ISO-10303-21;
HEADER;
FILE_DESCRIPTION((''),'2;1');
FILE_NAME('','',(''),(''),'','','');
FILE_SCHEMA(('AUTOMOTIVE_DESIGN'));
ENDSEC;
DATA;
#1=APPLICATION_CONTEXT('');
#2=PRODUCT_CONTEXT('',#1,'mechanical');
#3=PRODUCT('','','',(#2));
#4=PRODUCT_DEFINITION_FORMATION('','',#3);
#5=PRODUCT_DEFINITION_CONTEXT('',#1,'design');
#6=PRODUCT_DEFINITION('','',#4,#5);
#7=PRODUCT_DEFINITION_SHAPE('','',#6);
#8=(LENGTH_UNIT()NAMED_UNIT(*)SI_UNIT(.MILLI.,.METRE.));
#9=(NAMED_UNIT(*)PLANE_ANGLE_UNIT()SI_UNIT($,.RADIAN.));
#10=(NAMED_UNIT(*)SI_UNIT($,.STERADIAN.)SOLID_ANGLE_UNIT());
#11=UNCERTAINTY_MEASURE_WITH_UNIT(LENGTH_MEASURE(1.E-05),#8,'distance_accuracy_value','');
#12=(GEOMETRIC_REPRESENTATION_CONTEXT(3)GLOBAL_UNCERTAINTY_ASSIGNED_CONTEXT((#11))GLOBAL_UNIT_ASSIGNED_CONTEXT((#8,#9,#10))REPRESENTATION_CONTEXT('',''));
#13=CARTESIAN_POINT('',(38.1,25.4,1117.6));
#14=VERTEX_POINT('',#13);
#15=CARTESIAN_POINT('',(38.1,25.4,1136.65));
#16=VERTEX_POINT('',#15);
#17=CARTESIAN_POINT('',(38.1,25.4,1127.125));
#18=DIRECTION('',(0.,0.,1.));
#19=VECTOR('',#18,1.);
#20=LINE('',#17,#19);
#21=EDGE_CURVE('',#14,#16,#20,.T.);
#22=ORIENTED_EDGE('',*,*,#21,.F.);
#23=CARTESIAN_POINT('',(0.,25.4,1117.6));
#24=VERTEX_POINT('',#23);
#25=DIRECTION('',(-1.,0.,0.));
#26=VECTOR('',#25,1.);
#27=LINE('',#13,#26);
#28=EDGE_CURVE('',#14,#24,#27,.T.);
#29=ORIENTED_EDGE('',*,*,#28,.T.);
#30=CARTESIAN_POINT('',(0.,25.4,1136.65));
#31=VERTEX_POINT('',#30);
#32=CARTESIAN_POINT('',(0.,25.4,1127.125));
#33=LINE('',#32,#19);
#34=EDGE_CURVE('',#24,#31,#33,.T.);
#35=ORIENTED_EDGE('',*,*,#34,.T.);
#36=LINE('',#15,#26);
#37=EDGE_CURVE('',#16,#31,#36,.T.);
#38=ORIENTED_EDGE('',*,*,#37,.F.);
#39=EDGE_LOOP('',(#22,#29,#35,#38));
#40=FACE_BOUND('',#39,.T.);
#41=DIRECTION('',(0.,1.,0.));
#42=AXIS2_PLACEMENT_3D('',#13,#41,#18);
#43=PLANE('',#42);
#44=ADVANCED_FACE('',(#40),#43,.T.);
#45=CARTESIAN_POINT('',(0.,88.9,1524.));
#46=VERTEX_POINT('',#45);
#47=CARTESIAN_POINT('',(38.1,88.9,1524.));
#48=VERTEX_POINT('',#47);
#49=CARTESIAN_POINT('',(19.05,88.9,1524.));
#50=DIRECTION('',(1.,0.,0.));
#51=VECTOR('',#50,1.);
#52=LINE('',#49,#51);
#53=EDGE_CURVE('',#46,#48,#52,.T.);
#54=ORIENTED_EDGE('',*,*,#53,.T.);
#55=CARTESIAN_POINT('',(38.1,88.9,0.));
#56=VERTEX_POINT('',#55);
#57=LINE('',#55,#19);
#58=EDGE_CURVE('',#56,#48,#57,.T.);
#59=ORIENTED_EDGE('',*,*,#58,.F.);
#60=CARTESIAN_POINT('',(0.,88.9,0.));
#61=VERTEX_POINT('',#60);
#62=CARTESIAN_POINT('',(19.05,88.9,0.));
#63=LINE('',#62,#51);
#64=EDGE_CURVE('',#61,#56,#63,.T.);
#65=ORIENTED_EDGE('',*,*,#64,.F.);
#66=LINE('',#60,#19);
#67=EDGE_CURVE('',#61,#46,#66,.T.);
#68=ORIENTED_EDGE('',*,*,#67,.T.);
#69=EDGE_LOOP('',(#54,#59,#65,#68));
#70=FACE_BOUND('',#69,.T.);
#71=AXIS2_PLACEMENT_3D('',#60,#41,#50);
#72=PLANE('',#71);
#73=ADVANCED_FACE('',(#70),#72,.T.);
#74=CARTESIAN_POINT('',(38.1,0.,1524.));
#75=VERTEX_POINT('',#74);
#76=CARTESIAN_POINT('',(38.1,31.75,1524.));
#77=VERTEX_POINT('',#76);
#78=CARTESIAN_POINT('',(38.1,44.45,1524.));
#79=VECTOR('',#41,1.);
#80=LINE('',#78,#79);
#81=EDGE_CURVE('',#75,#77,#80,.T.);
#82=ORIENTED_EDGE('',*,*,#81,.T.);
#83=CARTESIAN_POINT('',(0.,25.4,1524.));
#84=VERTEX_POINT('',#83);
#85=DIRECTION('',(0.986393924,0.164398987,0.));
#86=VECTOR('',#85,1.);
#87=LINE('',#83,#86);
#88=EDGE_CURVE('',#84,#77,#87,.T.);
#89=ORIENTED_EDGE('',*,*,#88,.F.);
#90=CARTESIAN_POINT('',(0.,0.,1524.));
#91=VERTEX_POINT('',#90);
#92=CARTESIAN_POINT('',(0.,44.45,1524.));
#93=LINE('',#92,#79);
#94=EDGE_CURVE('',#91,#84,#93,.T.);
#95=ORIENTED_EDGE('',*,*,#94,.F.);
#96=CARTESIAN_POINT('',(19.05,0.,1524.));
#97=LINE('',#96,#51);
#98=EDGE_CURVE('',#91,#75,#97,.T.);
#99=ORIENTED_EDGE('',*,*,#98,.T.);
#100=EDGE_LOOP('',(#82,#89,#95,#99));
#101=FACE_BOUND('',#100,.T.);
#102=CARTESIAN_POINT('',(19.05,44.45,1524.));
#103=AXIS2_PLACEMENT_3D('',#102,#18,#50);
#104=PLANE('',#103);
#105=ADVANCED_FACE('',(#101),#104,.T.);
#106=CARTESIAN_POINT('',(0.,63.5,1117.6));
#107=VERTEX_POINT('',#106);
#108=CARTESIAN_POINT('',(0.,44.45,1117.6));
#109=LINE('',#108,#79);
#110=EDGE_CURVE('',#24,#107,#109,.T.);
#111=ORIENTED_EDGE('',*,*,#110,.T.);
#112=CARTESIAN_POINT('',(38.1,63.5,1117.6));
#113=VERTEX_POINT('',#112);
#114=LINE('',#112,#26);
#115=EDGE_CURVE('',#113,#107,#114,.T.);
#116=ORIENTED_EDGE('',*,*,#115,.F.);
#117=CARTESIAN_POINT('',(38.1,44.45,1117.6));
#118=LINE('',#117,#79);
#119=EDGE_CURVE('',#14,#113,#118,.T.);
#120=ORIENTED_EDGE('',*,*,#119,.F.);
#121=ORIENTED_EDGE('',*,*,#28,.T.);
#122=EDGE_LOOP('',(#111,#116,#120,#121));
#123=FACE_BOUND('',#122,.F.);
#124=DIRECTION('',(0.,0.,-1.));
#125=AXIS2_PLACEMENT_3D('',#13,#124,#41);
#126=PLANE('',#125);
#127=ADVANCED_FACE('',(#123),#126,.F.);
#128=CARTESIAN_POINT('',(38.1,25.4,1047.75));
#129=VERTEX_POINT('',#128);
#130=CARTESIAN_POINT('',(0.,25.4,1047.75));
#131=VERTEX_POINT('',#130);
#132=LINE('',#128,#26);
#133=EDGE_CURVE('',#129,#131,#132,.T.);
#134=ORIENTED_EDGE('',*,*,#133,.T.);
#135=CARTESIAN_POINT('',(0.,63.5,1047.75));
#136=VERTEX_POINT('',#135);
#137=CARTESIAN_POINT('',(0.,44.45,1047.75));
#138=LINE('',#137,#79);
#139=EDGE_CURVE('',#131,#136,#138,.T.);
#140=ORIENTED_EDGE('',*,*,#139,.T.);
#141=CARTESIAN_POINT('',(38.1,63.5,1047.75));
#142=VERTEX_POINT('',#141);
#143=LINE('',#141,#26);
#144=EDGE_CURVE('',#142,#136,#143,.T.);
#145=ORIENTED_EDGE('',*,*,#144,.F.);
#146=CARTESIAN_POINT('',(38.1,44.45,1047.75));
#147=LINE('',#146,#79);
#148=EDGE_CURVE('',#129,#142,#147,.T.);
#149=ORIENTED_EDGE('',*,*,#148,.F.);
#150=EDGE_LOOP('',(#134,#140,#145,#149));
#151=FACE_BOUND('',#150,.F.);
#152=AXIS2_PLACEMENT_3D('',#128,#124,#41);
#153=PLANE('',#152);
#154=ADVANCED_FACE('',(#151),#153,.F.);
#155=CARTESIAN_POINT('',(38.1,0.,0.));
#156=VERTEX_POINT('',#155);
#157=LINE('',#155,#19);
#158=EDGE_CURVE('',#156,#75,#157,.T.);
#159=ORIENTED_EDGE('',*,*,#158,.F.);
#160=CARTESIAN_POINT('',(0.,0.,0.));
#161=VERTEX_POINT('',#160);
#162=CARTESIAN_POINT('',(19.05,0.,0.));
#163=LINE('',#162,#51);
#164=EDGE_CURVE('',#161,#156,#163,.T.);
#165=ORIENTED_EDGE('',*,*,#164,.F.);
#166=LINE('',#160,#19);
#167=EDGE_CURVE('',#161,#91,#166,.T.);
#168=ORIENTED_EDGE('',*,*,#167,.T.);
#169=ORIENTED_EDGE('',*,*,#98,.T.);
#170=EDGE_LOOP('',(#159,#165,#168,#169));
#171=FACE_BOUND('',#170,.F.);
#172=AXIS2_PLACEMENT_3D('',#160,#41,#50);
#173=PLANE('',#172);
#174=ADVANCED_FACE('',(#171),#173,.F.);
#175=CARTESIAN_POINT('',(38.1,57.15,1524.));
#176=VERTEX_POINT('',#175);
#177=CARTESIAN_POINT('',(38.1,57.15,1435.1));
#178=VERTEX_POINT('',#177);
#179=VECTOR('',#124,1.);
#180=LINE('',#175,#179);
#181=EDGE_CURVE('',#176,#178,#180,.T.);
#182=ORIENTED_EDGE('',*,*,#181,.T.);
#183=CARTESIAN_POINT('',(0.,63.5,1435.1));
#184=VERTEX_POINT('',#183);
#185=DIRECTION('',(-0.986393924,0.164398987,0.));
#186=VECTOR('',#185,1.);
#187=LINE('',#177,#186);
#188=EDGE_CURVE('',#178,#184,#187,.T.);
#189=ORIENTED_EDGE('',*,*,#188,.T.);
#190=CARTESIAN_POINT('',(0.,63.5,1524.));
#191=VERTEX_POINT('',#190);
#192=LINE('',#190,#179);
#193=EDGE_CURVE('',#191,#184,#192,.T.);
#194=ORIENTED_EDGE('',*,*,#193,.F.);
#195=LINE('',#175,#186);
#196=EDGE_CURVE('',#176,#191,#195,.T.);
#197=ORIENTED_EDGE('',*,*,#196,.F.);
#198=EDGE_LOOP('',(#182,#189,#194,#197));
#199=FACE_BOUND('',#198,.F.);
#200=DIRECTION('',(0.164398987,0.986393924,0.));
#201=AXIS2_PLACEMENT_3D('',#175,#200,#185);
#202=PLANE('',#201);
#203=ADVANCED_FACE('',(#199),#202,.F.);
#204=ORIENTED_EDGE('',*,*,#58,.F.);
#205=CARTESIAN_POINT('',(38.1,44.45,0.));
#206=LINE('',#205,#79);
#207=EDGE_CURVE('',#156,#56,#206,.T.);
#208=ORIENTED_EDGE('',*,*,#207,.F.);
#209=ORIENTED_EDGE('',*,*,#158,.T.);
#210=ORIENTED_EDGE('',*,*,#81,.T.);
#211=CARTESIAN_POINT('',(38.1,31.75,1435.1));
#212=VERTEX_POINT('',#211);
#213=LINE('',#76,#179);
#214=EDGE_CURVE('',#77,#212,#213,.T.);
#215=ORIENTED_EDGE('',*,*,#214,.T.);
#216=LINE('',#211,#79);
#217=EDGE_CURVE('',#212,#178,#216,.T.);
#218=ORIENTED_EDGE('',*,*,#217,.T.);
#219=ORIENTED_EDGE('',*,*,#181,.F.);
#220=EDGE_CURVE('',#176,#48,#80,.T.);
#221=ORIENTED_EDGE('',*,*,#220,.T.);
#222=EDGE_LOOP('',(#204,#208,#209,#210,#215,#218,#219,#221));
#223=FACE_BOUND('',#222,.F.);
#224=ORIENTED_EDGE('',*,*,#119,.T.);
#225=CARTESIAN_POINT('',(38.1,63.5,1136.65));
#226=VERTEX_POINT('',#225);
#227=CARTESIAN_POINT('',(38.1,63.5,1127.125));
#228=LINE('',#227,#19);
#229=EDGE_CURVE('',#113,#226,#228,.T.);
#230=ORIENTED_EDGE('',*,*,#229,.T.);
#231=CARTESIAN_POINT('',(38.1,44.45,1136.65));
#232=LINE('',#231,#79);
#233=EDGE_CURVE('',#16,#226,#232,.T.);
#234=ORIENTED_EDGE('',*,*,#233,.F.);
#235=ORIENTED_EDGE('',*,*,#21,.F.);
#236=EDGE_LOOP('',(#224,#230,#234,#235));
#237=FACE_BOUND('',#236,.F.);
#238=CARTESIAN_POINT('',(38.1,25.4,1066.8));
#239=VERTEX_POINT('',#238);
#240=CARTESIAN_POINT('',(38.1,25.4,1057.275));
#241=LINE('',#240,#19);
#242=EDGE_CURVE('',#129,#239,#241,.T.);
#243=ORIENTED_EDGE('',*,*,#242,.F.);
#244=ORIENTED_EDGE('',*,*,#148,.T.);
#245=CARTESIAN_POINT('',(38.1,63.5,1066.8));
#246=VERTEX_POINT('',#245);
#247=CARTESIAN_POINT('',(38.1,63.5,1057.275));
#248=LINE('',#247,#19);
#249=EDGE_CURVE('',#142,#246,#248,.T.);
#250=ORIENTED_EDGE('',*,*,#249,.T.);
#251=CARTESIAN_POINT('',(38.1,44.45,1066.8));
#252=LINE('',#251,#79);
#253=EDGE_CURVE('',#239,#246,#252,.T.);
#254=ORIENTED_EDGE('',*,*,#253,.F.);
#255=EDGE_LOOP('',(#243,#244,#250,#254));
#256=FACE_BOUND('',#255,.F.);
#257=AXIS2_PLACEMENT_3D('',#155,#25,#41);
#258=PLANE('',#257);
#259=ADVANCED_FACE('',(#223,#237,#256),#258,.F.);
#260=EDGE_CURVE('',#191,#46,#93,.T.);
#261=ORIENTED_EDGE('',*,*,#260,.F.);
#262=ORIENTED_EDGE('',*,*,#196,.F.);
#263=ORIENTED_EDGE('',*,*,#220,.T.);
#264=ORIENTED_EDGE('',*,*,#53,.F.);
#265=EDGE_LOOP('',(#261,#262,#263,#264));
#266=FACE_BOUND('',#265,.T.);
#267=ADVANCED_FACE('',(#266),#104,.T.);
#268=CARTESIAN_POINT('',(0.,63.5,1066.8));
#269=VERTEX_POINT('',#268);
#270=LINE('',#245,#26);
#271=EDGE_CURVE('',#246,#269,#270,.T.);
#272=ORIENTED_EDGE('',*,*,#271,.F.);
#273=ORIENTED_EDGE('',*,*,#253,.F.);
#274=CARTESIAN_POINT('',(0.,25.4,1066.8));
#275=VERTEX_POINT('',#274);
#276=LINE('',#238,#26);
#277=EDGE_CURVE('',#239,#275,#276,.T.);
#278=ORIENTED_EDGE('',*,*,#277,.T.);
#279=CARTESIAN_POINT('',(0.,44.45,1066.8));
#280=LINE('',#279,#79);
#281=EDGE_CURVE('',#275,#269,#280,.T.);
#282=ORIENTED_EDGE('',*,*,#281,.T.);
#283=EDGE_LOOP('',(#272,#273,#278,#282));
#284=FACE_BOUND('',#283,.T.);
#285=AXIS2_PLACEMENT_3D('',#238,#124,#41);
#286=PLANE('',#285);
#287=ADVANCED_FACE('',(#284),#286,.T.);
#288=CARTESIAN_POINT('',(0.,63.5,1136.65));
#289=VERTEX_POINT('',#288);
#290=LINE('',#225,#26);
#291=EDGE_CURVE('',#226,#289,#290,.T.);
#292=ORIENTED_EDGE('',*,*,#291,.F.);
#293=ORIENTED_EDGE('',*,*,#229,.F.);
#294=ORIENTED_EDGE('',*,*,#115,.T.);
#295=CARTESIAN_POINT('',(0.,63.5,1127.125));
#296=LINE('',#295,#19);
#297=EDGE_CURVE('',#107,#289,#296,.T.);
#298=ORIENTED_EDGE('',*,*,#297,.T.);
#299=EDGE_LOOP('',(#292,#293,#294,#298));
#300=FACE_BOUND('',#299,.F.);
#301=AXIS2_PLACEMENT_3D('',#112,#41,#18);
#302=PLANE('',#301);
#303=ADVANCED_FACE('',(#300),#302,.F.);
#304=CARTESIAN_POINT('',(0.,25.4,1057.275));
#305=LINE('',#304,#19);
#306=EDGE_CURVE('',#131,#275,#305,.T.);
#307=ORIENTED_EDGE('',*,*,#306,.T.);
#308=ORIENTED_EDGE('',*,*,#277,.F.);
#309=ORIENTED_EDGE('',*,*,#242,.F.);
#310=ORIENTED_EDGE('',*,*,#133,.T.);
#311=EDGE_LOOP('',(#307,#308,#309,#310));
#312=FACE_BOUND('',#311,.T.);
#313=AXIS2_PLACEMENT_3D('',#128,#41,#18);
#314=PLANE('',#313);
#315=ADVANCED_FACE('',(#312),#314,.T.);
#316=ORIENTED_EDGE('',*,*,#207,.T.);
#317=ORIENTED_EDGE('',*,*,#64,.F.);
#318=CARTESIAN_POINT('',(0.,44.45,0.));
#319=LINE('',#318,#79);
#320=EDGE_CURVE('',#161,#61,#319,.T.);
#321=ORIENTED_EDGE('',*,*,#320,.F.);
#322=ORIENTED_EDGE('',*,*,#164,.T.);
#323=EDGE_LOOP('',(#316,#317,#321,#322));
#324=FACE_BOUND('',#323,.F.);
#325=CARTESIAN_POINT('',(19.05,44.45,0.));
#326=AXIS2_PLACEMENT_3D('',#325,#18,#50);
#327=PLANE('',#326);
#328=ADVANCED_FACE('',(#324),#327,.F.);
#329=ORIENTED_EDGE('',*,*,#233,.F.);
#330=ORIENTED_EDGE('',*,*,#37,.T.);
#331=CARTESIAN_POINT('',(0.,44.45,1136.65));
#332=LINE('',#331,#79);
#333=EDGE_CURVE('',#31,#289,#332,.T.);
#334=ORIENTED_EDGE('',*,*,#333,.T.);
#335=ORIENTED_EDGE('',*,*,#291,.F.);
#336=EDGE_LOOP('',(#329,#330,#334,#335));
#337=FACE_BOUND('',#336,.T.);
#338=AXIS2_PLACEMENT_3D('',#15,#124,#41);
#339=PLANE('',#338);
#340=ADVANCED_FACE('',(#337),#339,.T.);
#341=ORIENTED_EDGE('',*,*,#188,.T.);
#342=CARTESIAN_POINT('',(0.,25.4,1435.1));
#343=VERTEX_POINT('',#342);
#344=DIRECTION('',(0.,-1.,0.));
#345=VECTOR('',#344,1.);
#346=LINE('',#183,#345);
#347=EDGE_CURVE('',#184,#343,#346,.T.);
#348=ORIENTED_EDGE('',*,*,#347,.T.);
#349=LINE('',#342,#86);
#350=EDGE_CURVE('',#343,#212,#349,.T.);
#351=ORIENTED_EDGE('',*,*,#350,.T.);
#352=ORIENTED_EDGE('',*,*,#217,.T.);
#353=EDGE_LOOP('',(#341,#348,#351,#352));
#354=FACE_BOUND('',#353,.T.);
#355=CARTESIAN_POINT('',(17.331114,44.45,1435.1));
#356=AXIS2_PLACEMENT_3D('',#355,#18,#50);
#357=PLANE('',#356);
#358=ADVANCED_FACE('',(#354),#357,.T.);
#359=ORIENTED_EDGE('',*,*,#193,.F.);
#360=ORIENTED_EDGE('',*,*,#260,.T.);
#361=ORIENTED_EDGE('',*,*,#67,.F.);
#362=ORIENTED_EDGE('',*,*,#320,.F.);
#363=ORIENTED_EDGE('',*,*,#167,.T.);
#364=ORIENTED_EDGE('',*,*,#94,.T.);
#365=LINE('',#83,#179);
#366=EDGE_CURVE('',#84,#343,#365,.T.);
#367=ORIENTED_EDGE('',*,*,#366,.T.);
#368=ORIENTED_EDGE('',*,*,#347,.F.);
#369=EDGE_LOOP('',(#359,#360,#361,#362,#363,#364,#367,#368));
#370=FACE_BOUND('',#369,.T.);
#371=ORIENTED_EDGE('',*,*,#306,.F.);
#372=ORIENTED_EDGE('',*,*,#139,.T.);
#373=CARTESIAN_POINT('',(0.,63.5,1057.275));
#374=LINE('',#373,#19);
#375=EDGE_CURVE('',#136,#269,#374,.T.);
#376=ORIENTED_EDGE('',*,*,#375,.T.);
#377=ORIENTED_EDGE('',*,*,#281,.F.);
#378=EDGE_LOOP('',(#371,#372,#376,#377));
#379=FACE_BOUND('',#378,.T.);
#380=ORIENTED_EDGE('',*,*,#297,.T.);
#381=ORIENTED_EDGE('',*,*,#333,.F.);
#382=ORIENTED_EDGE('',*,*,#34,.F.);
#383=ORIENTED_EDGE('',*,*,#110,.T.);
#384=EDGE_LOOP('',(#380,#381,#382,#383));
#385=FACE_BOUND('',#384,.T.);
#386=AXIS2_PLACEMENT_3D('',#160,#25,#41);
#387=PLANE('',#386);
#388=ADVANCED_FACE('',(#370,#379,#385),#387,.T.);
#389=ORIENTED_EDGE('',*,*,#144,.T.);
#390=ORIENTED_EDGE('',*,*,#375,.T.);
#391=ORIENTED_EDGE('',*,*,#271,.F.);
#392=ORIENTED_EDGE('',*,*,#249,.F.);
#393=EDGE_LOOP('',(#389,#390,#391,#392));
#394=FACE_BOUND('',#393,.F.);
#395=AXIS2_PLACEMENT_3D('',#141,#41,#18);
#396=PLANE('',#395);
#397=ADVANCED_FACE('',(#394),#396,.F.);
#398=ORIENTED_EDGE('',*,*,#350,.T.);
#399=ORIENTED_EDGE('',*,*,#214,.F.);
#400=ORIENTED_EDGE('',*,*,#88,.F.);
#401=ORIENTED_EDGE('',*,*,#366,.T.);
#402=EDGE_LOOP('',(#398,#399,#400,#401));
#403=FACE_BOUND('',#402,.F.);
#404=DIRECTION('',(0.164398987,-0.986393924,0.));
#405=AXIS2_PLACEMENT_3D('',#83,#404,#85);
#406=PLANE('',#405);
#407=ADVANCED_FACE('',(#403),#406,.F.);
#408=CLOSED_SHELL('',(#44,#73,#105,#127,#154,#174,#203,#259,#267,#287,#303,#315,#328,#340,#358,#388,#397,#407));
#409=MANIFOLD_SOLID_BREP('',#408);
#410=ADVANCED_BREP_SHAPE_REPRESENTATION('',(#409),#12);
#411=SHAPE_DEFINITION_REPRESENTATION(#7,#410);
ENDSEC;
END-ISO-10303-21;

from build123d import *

# Parameters (mm, degrees)
F0_W     = 38.1
F0_H     = 88.9
F1_DEPTH = 1524
F2_W     = 38.1
F2_H     = 19.05
F3_DEPTH = 38.1
F5_DEPTH = 88.9


with BuildPart() as f1:
    # F0 (on Top) → F1 (new body)
    with BuildSketch(Plane.XY):
        with Locations((19.05, 44.45)):
            Rectangle(F0_W, F0_H)
    extrude(amount=F1_DEPTH)

    # F2 (on face) → F3 (cut, through all)
    with BuildSketch(Plane.YZ.offset(38.1)):
        with Locations((44.45, 1127.125)):
            Rectangle(F2_W, F2_H)
        with Locations((44.45, 1057.275)):
            Rectangle(F2_W, F2_H)
    extrude(amount=-F3_DEPTH, mode=Mode.SUBTRACT)

    # F4 (on face) → F5 (cut)
    with BuildSketch(Plane.XY.offset(1524)):
        Polygon((0, 63.5), (0, 25.4), (38.1, 31.75), (38.1, 57.15), align=None)
    extrude(amount=-F5_DEPTH, mode=Mode.SUBTRACT)


solid = f1.part
